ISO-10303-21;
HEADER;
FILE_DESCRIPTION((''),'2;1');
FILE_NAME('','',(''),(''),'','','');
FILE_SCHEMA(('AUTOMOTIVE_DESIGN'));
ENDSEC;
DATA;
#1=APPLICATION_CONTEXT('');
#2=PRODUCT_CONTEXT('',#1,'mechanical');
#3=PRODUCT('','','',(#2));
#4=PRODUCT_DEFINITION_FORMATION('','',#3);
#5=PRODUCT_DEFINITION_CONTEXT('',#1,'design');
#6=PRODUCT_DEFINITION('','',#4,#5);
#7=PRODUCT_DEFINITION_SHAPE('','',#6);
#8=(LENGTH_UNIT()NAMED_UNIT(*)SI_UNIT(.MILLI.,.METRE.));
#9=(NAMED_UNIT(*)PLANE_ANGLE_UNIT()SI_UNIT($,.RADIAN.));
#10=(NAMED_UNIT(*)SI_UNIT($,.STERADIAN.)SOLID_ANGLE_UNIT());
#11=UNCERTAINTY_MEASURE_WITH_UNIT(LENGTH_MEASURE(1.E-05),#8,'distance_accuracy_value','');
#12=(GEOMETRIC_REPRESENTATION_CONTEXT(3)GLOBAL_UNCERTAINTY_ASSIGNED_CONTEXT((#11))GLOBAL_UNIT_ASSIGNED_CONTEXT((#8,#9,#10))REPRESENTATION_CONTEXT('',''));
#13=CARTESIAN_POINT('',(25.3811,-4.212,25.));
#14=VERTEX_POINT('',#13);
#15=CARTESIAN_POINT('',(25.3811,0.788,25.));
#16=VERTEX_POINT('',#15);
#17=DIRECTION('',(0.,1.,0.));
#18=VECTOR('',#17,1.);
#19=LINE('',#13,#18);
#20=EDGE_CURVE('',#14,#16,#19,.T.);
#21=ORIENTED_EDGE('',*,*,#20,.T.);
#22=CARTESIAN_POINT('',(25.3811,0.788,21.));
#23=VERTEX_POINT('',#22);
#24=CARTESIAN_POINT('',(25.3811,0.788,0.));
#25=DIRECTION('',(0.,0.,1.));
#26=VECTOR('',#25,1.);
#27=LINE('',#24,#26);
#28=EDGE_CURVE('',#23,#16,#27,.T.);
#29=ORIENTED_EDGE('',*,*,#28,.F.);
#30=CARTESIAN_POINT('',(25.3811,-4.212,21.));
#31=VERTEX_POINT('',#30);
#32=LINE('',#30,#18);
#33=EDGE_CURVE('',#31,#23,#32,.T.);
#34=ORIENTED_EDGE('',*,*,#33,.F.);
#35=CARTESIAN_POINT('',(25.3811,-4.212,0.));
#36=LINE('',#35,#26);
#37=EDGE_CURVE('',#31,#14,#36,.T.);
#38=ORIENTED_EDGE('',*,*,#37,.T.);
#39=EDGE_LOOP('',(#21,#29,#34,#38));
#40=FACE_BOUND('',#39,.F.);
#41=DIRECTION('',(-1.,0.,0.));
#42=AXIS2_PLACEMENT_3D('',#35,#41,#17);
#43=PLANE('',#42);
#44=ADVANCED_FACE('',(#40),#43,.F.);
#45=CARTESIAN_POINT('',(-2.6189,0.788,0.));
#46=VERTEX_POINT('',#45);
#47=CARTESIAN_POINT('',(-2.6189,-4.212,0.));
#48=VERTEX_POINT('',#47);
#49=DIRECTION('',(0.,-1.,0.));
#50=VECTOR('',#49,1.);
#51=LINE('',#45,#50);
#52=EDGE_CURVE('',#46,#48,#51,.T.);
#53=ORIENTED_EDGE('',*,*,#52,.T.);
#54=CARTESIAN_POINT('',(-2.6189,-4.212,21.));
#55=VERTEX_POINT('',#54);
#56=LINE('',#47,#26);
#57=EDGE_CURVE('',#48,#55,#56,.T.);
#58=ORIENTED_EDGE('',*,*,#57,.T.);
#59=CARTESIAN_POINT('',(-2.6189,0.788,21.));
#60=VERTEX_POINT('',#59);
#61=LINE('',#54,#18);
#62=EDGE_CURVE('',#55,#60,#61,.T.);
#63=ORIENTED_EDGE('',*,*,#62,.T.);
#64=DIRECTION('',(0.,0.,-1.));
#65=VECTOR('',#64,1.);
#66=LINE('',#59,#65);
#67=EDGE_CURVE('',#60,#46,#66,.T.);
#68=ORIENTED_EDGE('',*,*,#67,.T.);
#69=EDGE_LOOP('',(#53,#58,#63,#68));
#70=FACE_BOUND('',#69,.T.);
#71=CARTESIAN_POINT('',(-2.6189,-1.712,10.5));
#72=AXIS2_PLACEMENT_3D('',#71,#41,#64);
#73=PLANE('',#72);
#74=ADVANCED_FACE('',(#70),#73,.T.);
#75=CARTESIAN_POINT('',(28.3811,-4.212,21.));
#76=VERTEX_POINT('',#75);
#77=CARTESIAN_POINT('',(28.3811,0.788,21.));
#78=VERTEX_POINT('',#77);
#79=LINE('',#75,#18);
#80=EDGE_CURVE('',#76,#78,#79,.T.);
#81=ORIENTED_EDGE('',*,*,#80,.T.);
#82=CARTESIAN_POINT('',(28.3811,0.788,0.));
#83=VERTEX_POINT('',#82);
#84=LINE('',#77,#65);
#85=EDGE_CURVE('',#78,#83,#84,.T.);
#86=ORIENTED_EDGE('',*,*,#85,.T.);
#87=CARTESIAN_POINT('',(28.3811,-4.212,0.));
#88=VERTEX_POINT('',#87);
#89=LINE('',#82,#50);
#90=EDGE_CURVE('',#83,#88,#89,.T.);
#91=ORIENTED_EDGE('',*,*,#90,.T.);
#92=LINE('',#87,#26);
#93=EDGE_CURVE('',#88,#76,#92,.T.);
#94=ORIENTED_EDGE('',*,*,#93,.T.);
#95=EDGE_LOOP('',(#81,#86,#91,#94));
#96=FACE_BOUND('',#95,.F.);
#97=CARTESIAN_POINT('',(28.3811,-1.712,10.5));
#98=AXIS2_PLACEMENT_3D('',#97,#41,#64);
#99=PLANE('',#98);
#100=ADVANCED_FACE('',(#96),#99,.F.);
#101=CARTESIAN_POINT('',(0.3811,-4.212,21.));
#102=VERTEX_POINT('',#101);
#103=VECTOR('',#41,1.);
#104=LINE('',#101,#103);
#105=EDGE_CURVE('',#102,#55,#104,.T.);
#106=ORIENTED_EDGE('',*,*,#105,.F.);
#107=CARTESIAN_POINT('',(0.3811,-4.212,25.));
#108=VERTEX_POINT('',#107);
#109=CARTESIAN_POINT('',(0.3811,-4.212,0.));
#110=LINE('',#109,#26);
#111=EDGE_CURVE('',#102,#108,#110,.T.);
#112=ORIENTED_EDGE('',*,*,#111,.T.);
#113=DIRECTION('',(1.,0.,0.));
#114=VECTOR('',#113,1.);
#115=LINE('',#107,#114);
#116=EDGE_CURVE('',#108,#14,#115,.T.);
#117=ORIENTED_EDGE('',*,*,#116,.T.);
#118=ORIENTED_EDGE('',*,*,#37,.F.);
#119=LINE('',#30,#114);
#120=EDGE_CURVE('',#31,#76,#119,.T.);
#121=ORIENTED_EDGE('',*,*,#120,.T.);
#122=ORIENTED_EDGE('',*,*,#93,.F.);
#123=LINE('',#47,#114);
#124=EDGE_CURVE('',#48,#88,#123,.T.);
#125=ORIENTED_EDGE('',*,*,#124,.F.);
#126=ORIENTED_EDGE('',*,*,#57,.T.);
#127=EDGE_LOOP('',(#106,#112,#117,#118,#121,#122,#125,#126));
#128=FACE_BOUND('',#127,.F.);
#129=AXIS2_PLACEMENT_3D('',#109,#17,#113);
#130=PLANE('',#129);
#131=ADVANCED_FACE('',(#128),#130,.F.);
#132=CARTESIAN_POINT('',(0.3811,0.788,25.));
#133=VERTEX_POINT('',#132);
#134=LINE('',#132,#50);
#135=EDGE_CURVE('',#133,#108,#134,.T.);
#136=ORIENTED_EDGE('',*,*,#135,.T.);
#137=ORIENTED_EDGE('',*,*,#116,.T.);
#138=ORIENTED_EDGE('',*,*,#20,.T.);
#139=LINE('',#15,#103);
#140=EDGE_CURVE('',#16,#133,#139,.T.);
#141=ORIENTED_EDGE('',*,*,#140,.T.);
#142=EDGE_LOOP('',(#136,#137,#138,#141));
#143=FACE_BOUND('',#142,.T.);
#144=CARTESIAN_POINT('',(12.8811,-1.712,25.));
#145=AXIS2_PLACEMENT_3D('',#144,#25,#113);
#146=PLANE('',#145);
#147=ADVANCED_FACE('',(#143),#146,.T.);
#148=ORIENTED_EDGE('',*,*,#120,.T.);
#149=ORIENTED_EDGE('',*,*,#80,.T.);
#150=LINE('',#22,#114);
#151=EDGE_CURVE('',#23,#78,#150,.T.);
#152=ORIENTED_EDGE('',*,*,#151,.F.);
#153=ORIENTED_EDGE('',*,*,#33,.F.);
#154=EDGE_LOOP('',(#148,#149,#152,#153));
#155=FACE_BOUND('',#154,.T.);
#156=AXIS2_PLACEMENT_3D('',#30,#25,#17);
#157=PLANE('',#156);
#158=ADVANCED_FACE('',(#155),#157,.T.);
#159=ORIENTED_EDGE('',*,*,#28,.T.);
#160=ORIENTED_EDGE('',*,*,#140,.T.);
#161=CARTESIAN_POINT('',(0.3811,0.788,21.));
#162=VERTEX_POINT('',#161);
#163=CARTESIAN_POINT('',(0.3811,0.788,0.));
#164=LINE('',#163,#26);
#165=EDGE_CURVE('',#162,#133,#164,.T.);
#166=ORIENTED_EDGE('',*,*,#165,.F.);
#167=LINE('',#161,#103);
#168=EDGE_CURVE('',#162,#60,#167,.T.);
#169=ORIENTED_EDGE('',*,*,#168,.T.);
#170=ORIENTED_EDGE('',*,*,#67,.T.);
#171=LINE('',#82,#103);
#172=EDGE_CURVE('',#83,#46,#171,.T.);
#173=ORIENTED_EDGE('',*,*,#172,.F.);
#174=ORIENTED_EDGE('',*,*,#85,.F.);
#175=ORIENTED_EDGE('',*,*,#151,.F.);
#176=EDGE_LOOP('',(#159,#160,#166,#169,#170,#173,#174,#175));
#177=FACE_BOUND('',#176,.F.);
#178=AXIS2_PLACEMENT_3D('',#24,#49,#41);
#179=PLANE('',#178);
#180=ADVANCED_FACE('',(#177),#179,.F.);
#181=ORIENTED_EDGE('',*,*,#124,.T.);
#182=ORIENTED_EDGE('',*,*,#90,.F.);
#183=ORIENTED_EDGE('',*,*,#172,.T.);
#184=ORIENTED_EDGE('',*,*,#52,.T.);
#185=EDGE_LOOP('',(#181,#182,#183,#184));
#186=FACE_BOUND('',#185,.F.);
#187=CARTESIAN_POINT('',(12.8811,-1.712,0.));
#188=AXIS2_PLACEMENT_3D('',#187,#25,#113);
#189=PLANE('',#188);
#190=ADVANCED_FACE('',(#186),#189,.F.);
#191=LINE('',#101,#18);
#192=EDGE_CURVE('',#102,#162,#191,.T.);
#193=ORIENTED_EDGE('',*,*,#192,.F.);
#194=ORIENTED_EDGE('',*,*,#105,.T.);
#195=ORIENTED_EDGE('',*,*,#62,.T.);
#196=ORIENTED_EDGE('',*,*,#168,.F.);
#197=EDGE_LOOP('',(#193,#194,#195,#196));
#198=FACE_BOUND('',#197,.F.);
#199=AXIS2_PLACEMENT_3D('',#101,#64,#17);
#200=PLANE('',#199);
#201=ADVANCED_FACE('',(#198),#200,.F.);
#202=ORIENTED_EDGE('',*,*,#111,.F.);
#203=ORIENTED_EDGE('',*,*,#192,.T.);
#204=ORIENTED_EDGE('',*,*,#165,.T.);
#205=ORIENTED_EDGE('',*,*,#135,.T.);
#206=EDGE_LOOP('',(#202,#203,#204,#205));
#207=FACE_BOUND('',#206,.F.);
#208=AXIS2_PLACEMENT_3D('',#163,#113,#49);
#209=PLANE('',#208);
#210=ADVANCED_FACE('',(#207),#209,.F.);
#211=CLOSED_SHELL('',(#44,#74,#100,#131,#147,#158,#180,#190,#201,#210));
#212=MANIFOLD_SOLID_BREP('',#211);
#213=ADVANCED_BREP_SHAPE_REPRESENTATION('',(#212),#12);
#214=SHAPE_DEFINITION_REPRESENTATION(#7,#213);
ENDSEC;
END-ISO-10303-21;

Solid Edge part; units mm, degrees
sketch "Sketch1" plane through (0, 0, 0) normal (0, 0, 1) x (1, 0, 0)
  line L0 (25.3811, -4.212) -> (25.3811, 0.788)
  line L1 (25.3811, 0.788) -> (0.3811, 0.788)
  line L2 (0.3811, 0.788) -> (0.3811, -4.212)
  line L3 (0.3811, -4.212) -> (25.3811, -4.212)
extrude "Protrusion1" add sketch "Sketch1" along normal blind 25
sketch "Sketch2" plane through (0.3811, -1.712, 12.5) normal (-1, 0, 0) x (0, 0, 1)
  line L0 (8.5, -2.5) -> (8.5, 2.5)
  line L1 (8.5, 2.5) -> (-12.5, 2.5)
  line L2 (-12.5, 2.5) -> (-12.5, -2.5)
  line L3 (-12.5, -2.5) -> (8.5, -2.5)
extrude "ExtrudedProtrusion_4" add sketch "Sketch2" along normal blind 3
sketch "Sketch3" plane through (25.3811, -1.712, 12.5) normal (1, 0, 0) x (0, 0, -1)
  line L0 (-8.5, -2.5) -> (-8.5, 2.5)
  line L1 (-8.5, 2.5) -> (12.5, 2.5)
  line L2 (12.5, 2.5) -> (12.5, -2.5)
  line L3 (12.5, -2.5) -> (-8.5, -2.5)
extrude "ExtrudedProtrusion_5" add sketch "Sketch3" along normal blind 3
